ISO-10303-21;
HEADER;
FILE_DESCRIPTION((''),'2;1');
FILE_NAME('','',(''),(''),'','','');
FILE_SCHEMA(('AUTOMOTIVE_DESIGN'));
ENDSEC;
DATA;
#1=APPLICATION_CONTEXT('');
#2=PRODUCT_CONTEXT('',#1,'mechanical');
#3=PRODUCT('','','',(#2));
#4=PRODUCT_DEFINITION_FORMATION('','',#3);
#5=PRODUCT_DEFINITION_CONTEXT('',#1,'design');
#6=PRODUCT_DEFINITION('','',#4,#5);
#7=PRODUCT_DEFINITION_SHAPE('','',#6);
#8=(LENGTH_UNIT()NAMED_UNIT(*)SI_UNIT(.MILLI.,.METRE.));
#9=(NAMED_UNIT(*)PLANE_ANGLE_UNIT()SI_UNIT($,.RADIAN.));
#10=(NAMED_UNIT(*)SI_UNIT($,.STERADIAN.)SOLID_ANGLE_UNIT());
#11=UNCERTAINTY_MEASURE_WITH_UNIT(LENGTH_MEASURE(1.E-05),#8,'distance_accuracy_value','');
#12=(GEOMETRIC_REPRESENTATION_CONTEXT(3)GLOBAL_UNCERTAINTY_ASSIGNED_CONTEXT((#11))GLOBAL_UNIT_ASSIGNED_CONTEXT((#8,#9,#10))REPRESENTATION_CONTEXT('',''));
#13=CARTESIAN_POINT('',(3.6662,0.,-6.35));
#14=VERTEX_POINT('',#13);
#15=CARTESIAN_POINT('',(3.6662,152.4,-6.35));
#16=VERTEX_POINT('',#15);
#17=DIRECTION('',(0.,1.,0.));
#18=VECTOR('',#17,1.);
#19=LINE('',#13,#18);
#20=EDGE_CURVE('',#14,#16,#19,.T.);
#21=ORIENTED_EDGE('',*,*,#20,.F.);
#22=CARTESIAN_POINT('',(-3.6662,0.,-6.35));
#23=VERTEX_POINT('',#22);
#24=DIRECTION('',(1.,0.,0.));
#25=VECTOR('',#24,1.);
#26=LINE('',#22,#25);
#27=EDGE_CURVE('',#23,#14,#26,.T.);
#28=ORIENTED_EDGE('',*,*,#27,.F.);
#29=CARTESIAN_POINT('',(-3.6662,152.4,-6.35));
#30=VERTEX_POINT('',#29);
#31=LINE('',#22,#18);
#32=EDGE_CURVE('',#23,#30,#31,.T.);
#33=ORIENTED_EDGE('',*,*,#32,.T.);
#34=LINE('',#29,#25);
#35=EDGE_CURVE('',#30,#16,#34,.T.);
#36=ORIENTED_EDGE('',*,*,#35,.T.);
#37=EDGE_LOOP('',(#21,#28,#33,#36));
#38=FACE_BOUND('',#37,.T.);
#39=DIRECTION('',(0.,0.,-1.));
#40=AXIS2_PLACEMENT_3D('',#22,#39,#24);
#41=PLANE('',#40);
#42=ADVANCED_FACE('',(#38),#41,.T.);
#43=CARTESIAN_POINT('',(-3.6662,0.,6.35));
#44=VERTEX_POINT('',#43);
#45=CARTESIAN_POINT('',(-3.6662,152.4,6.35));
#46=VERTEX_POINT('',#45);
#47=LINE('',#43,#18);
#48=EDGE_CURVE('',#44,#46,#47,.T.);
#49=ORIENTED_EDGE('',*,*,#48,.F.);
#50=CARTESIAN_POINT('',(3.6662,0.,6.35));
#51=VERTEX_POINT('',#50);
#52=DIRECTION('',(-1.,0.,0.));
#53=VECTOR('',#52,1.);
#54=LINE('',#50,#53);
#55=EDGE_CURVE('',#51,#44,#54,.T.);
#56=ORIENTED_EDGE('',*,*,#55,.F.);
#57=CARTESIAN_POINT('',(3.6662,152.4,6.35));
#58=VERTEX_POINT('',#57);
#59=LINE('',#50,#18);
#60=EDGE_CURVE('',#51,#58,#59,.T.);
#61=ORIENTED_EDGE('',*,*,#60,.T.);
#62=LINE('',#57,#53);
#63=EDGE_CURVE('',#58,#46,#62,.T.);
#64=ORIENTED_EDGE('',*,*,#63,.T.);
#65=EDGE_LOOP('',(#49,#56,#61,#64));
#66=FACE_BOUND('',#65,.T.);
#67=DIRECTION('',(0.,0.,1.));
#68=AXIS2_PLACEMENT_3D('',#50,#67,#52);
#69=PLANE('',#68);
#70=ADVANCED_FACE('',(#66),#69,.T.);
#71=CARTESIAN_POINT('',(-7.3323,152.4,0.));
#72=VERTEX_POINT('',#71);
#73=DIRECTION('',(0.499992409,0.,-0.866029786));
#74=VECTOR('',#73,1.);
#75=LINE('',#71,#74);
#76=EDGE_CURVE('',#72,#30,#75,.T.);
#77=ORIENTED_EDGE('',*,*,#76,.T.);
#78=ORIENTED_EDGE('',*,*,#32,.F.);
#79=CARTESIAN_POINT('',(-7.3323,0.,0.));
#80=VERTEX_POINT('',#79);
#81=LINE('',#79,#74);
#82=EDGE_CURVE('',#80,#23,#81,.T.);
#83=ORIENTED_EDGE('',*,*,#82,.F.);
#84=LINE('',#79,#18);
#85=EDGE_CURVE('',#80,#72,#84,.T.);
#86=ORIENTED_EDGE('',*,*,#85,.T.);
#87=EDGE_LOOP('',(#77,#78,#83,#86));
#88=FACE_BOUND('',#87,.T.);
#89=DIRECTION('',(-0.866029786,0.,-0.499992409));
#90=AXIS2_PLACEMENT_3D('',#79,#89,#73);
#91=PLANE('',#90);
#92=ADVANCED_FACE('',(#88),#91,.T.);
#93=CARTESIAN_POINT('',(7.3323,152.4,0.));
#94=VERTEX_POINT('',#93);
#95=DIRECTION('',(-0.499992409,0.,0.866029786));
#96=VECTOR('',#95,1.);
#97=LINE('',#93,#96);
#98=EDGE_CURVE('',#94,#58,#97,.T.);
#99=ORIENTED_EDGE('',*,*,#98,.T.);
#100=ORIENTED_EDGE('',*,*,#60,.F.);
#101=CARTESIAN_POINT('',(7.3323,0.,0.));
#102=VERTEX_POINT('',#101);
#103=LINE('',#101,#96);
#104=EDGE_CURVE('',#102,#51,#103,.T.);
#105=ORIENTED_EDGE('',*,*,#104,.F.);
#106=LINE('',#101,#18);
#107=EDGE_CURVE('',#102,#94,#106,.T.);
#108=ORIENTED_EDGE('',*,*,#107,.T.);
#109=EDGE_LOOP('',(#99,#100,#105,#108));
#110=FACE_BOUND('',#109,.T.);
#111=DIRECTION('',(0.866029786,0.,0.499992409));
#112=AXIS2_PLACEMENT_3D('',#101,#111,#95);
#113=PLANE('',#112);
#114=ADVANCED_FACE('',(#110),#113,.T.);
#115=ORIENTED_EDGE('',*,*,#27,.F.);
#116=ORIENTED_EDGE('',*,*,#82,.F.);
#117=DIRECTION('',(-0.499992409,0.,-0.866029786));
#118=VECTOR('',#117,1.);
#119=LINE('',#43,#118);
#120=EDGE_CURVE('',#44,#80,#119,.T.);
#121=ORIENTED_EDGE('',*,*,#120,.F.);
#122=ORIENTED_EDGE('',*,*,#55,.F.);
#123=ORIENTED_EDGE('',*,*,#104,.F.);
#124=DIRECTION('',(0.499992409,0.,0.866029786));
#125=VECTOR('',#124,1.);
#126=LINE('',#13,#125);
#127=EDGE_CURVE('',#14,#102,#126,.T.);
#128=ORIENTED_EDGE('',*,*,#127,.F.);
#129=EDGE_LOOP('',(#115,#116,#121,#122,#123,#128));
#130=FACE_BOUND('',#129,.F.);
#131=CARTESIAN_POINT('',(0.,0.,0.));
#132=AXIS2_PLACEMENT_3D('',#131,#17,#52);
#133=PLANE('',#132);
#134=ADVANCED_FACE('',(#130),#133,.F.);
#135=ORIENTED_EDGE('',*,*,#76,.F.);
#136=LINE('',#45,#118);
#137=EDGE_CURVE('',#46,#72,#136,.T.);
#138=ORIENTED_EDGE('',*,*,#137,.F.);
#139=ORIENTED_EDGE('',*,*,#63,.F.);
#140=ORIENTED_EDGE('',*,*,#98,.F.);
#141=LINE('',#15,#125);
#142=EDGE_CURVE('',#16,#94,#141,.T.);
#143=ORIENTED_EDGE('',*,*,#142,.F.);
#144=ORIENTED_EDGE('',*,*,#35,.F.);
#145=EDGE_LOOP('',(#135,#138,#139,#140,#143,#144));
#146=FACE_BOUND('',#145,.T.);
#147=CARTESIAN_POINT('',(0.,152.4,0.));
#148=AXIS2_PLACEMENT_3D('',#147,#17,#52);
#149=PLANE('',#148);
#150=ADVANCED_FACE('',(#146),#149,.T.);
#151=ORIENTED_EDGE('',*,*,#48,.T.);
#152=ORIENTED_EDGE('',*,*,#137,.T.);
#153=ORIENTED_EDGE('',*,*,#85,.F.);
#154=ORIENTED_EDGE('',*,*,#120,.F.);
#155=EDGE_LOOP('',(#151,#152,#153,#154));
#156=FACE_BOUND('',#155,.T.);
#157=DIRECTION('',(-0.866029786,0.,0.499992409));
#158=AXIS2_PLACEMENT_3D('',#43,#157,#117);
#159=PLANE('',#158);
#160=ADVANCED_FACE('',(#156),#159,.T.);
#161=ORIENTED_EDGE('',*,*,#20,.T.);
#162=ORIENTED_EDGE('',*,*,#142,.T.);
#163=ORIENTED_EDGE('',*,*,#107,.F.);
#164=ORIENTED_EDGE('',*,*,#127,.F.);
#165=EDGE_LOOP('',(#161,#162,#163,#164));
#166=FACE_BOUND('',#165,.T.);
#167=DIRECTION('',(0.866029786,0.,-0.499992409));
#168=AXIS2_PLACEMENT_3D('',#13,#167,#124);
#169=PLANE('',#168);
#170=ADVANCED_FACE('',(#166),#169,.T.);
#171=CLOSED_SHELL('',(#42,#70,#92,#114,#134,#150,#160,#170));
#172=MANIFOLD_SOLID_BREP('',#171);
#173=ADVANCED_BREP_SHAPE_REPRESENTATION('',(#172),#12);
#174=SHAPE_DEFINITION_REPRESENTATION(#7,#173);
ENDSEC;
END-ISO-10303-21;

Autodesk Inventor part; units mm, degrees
ref_plane "YZ Plane" through (0, 0, 0) normal (1, 0, 0) x (0, 1, 0)
ref_plane "XZ Plane" through (0, 0, 0) normal (0, 1, 0) x (-1, 0, 0)
ref_plane "XY Plane" through (0, 0, 0) normal (0, 0, 1) x (1, 0, 0)
sketch "Sketch1" plane through (0, 0, 0) normal (0, 1, 0) x (-1, 0, 0)
  line L0 (3.6662, 6.35) -> (7.3323, 0)
  line L1 (7.3323, 0) -> (3.6662, -6.35)
  line L2 (3.6662, -6.35) -> (-3.6662, -6.35)
  line L3 (-3.6662, -6.35) -> (-7.3323, 0)
  line L4 (-7.3323, 0) -> (-3.6662, 6.35)
  line L5 (-3.6662, 6.35) -> (3.6662, 6.35)
  point P0 (0, 0)
  point P1 (0, 0)
  dimension "d0" = 12.7
extrude "Extrusion1" add sketch "Sketch1" along normal blind 152.4
properties part number "Axle 0.500 Hex 5 in length" material "Steel"
